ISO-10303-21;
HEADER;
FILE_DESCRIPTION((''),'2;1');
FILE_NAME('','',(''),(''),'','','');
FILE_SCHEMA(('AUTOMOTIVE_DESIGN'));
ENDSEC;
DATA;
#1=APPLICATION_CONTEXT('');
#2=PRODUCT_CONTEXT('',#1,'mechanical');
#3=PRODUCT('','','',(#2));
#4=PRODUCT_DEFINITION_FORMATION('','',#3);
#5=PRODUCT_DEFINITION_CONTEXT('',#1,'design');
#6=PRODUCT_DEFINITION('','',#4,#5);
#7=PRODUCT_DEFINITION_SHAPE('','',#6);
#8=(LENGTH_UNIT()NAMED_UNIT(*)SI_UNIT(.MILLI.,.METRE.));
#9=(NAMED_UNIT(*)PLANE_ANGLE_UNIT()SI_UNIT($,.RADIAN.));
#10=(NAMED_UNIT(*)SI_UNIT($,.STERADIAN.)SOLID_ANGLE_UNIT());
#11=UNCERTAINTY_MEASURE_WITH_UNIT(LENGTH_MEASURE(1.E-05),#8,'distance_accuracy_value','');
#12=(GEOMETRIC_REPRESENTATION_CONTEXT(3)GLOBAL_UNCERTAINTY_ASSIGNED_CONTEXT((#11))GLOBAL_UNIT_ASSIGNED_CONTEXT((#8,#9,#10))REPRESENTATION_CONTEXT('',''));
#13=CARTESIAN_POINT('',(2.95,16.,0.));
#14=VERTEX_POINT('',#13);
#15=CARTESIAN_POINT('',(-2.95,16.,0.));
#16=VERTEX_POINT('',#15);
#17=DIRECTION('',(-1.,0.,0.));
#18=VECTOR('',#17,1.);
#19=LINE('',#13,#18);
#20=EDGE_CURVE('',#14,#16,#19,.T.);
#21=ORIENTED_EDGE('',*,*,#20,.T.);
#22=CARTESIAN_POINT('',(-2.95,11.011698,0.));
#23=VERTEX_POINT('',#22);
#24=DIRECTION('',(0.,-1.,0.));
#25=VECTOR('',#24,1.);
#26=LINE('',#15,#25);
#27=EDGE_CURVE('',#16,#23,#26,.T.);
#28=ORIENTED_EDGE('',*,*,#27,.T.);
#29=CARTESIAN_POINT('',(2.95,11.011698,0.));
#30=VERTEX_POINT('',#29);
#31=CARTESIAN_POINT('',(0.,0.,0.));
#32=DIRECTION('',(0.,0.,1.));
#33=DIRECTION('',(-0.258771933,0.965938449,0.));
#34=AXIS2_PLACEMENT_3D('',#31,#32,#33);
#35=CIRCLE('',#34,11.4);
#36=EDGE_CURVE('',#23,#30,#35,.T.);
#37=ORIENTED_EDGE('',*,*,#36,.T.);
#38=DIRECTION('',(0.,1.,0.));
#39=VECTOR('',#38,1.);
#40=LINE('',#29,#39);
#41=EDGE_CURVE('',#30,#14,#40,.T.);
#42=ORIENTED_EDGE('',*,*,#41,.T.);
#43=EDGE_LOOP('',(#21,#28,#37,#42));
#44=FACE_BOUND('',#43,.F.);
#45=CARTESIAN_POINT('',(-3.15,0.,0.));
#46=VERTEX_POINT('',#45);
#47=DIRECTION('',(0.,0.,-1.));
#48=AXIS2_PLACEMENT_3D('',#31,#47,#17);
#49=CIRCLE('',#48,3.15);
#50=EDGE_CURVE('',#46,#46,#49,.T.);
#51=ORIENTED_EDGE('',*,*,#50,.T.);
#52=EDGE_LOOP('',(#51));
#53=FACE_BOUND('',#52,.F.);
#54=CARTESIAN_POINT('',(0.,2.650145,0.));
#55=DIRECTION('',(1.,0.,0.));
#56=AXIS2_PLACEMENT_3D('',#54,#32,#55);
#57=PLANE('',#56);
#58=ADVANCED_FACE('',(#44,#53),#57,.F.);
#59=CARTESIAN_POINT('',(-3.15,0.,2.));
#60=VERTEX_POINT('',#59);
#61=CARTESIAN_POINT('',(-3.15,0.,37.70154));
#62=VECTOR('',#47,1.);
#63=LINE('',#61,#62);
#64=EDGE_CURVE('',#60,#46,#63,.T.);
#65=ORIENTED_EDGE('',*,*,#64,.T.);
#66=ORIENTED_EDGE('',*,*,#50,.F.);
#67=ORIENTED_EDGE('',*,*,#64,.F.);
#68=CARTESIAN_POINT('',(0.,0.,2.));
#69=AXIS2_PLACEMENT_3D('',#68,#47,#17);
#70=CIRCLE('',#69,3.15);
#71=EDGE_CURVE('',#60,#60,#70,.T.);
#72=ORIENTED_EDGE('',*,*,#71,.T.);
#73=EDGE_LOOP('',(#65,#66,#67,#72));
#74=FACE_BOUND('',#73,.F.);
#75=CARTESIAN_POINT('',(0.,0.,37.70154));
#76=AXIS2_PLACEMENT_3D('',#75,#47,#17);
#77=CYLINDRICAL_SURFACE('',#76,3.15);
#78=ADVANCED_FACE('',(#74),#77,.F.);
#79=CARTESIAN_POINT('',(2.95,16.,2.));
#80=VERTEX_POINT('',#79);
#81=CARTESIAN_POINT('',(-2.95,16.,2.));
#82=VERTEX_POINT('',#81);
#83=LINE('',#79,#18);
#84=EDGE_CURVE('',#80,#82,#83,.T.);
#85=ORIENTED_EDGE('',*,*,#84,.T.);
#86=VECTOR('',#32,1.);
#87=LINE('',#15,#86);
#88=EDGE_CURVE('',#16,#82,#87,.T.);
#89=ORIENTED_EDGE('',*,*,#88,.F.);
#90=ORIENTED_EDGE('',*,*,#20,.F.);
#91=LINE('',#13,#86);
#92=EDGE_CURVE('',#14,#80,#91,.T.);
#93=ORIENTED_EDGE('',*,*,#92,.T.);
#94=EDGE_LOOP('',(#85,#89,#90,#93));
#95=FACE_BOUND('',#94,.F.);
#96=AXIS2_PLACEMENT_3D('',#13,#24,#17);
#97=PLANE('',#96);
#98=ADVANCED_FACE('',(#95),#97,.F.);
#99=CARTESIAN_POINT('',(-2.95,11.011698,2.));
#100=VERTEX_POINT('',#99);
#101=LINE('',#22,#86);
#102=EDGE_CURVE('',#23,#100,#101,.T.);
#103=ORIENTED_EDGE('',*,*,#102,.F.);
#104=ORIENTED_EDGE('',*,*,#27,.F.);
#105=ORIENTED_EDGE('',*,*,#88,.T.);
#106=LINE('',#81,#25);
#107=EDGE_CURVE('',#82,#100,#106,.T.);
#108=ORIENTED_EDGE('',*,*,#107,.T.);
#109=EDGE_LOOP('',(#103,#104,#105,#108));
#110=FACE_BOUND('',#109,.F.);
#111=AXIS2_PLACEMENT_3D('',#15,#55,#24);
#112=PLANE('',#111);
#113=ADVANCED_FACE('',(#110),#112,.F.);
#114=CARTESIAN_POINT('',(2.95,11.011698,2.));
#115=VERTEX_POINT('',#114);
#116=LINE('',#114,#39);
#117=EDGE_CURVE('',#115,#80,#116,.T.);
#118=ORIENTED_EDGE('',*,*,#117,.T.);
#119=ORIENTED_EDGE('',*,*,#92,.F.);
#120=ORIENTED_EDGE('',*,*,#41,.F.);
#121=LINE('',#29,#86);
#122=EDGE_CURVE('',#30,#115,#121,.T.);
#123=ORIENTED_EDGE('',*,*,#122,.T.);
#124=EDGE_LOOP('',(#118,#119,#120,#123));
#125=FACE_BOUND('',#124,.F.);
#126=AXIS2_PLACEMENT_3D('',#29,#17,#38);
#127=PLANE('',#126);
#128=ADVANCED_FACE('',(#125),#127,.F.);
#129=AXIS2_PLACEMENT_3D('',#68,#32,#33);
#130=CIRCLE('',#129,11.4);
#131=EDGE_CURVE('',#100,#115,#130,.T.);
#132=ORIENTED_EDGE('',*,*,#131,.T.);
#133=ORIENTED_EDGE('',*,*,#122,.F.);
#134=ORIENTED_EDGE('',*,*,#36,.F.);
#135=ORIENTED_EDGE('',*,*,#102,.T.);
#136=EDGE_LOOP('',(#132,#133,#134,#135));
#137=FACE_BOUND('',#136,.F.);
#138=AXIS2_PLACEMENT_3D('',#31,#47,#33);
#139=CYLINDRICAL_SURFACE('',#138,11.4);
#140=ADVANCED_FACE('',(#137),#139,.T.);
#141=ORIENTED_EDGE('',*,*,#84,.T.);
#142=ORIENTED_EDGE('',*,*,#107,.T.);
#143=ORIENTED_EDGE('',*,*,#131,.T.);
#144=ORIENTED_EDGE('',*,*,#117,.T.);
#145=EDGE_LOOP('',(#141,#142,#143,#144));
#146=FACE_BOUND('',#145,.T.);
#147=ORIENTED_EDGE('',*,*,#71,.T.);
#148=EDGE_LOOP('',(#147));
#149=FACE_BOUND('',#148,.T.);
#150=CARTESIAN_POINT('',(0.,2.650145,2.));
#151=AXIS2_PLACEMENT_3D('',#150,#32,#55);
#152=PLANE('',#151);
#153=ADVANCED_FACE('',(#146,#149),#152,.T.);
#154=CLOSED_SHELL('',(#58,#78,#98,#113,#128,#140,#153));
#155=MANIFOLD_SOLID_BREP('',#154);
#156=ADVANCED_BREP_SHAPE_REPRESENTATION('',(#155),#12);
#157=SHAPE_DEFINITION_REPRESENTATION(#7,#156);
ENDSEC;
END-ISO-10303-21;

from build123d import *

# Parameters (mm, degrees)
F1_DEPTH = 2
F3_D     = 6.3


with BuildPart() as f1:
    # F0 (on Top) → F1 (new body)
    with BuildSketch(Plane.XY):
        with BuildLine():
            Line((-2.95, 16), (-2.95, 11.011698))
            ThreePointArc((-2.95, 11.011698), (0, -11.4), (2.95, 11.011698))
            Line((2.95, 11.011698), (2.95, 16))
            Line((2.95, 16), (-2.95, 16))
        make_face()
    extrude(amount=F1_DEPTH)

    # F3 (through all)
    with Locations(Plane.XY.offset(2)):
        with Locations((0, 0)):
            Hole(F3_D / 2)


solid = f1.part
